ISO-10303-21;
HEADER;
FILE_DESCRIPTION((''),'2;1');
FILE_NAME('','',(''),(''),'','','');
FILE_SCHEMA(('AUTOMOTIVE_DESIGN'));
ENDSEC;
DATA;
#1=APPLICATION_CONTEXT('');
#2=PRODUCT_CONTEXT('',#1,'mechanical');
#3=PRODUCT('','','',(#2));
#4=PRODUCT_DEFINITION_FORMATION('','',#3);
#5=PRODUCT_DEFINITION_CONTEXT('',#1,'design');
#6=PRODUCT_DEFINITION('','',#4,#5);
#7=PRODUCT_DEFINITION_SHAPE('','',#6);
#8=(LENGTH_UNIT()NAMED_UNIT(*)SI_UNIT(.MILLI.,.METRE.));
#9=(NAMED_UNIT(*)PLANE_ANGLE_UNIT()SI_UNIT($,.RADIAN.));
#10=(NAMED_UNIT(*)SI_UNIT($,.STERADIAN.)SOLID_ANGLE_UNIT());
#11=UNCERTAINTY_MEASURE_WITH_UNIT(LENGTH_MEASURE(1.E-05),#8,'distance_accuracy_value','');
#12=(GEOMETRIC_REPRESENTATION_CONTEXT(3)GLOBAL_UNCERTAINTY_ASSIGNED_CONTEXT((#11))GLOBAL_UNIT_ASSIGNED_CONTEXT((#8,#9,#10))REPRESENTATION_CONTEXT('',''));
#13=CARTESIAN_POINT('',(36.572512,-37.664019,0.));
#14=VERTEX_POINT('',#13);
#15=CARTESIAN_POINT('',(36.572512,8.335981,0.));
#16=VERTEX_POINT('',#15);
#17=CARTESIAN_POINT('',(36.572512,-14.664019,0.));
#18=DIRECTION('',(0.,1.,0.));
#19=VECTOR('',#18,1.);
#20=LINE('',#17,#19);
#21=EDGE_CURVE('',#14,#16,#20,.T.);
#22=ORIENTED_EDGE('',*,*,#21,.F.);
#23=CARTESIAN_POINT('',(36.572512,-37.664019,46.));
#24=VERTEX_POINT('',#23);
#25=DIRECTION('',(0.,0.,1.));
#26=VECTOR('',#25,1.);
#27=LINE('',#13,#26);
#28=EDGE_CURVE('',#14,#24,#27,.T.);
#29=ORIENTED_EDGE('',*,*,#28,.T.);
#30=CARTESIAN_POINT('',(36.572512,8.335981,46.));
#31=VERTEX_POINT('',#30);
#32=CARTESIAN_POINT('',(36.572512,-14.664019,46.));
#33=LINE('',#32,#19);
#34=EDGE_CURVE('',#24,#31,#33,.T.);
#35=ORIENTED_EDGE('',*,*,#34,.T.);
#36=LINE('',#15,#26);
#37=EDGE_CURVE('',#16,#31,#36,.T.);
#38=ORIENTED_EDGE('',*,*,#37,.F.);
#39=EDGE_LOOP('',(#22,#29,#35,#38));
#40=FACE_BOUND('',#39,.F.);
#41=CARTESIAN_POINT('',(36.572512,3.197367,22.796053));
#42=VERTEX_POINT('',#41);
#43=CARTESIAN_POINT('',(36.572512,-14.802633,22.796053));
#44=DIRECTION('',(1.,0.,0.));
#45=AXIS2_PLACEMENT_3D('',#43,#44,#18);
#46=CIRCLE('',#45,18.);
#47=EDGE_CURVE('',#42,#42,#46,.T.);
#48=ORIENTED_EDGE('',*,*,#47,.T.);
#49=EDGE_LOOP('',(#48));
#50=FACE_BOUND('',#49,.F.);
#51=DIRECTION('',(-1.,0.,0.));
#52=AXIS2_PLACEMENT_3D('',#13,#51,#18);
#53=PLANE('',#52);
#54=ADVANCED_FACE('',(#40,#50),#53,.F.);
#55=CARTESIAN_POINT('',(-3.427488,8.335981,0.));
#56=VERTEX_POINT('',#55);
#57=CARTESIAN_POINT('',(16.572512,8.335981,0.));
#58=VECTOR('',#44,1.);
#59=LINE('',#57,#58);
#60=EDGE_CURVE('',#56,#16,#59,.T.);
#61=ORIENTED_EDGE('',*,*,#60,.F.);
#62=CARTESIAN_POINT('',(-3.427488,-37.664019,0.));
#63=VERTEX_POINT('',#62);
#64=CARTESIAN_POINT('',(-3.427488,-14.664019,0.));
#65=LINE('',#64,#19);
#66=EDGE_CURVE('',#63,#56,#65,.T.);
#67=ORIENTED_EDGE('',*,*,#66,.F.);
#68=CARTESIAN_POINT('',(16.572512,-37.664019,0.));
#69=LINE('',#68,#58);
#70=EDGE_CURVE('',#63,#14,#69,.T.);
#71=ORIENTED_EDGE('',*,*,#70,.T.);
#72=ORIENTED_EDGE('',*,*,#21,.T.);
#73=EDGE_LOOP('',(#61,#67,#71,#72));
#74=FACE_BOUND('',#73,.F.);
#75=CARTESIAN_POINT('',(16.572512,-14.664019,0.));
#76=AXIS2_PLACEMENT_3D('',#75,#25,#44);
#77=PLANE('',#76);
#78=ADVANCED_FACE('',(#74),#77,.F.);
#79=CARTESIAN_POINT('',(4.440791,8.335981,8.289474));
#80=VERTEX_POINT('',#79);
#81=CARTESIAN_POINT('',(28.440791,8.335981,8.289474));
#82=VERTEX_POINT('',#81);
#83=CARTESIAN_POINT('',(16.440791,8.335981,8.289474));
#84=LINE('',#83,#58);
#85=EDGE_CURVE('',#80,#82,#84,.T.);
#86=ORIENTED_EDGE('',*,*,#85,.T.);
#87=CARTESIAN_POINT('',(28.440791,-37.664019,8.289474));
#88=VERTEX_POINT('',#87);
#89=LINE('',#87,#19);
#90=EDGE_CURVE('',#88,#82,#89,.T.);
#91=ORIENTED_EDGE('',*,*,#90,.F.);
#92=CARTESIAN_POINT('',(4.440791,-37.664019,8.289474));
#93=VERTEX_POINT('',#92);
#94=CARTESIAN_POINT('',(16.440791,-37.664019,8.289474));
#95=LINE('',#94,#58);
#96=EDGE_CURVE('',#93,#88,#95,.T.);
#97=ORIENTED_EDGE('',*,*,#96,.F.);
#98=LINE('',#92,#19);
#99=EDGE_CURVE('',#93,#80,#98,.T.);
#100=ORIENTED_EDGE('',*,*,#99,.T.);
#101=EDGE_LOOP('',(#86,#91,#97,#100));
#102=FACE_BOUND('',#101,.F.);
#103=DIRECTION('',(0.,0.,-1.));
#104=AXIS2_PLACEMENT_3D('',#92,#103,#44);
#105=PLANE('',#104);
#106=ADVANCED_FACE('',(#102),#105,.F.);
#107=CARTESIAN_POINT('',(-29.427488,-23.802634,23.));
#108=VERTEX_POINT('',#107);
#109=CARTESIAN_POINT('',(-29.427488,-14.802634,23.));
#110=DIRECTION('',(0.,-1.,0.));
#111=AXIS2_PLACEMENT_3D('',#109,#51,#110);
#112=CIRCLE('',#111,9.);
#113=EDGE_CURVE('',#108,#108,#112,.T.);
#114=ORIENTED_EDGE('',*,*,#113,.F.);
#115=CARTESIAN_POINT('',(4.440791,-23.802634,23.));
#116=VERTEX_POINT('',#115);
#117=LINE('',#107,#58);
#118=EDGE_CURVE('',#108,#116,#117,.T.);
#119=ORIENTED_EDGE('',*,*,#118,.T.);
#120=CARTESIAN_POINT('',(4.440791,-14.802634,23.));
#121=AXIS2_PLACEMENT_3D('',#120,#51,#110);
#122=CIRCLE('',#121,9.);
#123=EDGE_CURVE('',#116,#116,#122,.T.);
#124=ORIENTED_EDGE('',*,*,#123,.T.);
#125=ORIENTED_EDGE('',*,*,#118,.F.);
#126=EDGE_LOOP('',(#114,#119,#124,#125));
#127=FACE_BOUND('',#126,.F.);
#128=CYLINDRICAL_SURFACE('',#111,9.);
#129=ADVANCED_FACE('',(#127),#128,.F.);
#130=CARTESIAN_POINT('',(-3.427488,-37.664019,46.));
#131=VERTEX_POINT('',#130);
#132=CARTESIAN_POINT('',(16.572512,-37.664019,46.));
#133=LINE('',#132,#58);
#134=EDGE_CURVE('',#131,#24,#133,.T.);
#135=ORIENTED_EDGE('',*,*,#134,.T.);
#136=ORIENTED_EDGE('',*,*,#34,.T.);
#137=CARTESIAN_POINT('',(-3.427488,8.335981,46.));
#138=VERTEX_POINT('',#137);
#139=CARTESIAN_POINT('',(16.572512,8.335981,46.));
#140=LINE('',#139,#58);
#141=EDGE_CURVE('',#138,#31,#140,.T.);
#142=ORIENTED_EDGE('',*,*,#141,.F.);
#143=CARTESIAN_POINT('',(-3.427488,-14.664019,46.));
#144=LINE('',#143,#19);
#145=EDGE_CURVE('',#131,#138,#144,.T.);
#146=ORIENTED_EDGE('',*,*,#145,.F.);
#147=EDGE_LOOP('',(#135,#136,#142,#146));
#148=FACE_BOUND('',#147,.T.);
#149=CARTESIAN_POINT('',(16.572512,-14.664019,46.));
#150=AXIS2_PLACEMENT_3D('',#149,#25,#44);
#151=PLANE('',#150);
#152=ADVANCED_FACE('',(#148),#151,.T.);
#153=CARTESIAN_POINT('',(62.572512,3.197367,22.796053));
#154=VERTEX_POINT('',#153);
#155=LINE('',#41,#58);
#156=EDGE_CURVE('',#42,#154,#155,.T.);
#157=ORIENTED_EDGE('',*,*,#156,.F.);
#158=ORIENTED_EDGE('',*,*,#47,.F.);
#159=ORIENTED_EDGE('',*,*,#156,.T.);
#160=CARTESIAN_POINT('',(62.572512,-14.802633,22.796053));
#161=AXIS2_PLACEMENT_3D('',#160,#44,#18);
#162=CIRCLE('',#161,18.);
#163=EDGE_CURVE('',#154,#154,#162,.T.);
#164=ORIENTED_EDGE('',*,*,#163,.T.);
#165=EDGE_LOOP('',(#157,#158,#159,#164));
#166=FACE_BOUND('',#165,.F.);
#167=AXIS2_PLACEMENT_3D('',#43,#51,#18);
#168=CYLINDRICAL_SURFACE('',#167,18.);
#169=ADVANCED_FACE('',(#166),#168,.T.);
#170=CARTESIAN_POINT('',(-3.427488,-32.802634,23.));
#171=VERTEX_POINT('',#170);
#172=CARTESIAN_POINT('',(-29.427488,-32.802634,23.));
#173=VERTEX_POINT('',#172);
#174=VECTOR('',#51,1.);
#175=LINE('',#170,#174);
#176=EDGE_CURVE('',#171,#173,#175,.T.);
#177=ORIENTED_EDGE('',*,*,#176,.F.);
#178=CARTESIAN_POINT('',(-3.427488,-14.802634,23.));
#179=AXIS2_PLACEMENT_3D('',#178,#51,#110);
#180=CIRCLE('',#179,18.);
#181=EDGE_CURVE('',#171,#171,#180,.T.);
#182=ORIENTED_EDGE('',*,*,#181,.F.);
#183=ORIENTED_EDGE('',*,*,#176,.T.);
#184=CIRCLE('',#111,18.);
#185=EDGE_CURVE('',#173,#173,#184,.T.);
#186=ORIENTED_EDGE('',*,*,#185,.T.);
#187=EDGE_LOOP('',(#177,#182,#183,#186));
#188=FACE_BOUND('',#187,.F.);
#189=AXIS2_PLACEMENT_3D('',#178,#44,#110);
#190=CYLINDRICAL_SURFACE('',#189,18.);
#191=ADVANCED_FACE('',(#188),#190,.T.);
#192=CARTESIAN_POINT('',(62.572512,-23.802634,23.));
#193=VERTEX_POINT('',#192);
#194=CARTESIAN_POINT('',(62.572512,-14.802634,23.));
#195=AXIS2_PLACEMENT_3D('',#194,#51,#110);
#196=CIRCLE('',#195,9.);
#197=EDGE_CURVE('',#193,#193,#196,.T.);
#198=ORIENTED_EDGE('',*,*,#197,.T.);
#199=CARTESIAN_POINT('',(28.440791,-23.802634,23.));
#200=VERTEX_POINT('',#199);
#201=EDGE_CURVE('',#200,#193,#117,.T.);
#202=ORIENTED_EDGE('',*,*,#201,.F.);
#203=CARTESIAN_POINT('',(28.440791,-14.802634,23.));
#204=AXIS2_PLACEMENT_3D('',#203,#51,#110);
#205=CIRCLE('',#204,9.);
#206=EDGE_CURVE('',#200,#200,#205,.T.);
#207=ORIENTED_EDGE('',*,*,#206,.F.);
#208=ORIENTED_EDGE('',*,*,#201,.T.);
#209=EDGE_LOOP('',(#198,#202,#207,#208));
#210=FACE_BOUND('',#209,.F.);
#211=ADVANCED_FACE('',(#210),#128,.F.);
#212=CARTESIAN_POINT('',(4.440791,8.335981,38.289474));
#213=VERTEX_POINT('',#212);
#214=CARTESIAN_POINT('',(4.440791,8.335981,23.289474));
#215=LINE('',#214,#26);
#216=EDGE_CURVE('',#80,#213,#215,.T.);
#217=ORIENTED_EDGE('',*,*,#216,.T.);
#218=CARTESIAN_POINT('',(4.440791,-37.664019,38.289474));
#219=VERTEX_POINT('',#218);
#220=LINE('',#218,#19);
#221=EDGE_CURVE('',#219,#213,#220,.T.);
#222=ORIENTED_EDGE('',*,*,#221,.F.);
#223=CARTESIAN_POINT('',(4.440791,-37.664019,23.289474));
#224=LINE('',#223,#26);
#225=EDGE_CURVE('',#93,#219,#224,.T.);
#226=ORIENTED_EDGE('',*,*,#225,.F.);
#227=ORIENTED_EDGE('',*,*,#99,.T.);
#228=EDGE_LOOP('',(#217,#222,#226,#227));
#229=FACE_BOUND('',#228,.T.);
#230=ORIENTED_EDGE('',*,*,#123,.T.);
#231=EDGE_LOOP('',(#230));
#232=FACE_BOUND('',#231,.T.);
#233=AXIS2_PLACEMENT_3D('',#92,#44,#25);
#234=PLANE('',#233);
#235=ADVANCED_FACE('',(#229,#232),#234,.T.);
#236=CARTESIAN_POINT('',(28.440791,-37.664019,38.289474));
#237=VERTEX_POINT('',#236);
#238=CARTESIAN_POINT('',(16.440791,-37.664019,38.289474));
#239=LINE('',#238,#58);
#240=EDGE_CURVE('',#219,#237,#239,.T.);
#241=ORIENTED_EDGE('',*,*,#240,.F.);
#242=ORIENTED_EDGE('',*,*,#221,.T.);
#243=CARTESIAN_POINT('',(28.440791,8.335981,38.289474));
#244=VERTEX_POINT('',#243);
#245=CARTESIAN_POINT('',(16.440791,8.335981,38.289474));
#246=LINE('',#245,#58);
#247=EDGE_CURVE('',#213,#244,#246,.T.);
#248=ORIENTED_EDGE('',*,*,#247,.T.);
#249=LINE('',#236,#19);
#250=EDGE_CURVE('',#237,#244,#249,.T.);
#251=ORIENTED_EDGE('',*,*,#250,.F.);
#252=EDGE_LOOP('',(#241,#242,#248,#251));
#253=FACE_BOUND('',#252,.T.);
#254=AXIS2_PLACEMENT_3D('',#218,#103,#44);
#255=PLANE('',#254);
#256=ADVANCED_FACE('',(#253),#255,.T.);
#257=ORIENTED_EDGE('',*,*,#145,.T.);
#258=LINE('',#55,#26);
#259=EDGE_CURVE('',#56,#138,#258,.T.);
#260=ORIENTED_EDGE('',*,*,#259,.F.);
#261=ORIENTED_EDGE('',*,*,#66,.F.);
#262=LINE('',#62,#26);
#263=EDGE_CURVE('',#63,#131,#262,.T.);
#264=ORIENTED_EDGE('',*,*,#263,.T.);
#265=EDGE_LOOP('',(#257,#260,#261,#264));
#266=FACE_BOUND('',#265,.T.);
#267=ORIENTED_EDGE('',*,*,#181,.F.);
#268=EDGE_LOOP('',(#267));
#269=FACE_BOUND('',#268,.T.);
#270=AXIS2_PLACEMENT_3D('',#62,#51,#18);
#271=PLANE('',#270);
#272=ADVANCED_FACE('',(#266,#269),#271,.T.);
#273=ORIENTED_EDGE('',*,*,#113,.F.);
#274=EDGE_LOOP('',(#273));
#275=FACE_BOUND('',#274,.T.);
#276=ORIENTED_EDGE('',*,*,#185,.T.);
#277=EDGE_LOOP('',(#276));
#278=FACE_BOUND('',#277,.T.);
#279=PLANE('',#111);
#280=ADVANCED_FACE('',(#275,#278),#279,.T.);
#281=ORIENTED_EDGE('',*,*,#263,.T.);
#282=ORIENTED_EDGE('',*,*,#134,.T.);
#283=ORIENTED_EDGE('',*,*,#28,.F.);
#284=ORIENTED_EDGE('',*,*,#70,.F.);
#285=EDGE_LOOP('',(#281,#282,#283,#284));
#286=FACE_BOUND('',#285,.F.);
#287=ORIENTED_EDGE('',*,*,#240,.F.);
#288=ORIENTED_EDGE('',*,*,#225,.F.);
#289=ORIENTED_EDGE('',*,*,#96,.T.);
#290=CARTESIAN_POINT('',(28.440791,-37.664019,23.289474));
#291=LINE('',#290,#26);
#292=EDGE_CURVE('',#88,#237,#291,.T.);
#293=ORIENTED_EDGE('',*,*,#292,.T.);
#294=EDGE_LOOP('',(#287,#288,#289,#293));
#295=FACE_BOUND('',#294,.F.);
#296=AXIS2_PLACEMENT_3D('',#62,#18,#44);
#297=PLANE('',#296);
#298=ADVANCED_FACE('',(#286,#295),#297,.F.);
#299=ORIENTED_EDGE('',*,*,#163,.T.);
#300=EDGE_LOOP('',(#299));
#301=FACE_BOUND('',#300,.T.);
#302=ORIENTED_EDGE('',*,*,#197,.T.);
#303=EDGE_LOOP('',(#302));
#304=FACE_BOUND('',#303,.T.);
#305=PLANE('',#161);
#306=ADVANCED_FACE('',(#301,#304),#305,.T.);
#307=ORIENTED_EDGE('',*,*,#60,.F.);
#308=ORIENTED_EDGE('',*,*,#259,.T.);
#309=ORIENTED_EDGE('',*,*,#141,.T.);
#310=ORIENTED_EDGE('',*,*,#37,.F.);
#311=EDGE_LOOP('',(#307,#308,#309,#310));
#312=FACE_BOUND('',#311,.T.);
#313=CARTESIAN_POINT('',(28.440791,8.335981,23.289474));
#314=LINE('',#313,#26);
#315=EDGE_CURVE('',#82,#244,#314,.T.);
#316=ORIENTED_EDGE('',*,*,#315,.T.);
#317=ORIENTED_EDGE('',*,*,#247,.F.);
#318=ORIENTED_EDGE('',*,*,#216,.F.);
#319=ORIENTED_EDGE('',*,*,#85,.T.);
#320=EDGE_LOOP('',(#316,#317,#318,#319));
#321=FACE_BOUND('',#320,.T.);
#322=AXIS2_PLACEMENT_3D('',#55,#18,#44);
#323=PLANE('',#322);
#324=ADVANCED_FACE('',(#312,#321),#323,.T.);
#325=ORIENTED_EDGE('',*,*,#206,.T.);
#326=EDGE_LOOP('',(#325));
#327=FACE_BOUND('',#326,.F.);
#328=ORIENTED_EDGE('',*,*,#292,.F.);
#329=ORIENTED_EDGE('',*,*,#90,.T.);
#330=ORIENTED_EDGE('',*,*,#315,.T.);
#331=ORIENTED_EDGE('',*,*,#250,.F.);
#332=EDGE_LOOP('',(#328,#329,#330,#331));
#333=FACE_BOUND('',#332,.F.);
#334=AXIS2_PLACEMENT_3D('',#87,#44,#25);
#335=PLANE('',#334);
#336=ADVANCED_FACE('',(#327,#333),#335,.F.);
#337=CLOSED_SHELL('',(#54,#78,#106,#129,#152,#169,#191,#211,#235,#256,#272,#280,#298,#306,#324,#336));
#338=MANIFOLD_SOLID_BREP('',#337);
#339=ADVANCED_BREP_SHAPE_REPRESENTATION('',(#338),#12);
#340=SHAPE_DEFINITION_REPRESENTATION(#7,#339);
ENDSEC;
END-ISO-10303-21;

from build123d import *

# Parameters (mm, degrees)
F0_W      = 40
F0_H      = 46
F1_DEPTH  = 46
F3_W      = 24
F3_H      = 30
F4_DEPTH  = 46
F5_R      = 18
F6_DEPTH  = 26
F7_R      = 18
F8_DEPTH  = 26
F9_R      = 9
F10_DEPTH = 92


with BuildPart() as f1:
    # F0 (on Top) → F1 (new body)
    with BuildSketch(Plane.XY):
        with Locations((16.572512, -14.664019)):
            Rectangle(F0_W, F0_H)
    extrude(amount=F1_DEPTH)

    # F3 (on face) → F4 (cut)
    with BuildSketch(Plane.XZ.offset(37.664019)):
        with Locations((16.440791, 23.289474)):
            Rectangle(F3_W, F3_H)
    extrude(amount=-F4_DEPTH, mode=Mode.SUBTRACT)

    # F5 (on face) → F6 (join)
    with BuildSketch(Plane.YZ.offset(36.572512)):
        with Locations((-14.802633, 22.796053)):
            Circle(F5_R)
    extrude(amount=F6_DEPTH)

    # F7 (on face) → F8 (join)
    with BuildSketch(Plane(origin=(-3.427488, 0, 0), x_dir=(0, -1, 0), z_dir=(-1, 0, 0))):
        with Locations((14.802634, 23)):
            Circle(F7_R)
    extrude(amount=F8_DEPTH)

    # F9 (on face) → F10 (cut)
    with BuildSketch(Plane(origin=(-29.427488, 0, 0), x_dir=(0, -1, 0), z_dir=(-1, 0, 0))):
        with Locations((14.802634, 23)):
            Circle(F9_R)
    extrude(amount=-F10_DEPTH, mode=Mode.SUBTRACT)


solid = f1.part
